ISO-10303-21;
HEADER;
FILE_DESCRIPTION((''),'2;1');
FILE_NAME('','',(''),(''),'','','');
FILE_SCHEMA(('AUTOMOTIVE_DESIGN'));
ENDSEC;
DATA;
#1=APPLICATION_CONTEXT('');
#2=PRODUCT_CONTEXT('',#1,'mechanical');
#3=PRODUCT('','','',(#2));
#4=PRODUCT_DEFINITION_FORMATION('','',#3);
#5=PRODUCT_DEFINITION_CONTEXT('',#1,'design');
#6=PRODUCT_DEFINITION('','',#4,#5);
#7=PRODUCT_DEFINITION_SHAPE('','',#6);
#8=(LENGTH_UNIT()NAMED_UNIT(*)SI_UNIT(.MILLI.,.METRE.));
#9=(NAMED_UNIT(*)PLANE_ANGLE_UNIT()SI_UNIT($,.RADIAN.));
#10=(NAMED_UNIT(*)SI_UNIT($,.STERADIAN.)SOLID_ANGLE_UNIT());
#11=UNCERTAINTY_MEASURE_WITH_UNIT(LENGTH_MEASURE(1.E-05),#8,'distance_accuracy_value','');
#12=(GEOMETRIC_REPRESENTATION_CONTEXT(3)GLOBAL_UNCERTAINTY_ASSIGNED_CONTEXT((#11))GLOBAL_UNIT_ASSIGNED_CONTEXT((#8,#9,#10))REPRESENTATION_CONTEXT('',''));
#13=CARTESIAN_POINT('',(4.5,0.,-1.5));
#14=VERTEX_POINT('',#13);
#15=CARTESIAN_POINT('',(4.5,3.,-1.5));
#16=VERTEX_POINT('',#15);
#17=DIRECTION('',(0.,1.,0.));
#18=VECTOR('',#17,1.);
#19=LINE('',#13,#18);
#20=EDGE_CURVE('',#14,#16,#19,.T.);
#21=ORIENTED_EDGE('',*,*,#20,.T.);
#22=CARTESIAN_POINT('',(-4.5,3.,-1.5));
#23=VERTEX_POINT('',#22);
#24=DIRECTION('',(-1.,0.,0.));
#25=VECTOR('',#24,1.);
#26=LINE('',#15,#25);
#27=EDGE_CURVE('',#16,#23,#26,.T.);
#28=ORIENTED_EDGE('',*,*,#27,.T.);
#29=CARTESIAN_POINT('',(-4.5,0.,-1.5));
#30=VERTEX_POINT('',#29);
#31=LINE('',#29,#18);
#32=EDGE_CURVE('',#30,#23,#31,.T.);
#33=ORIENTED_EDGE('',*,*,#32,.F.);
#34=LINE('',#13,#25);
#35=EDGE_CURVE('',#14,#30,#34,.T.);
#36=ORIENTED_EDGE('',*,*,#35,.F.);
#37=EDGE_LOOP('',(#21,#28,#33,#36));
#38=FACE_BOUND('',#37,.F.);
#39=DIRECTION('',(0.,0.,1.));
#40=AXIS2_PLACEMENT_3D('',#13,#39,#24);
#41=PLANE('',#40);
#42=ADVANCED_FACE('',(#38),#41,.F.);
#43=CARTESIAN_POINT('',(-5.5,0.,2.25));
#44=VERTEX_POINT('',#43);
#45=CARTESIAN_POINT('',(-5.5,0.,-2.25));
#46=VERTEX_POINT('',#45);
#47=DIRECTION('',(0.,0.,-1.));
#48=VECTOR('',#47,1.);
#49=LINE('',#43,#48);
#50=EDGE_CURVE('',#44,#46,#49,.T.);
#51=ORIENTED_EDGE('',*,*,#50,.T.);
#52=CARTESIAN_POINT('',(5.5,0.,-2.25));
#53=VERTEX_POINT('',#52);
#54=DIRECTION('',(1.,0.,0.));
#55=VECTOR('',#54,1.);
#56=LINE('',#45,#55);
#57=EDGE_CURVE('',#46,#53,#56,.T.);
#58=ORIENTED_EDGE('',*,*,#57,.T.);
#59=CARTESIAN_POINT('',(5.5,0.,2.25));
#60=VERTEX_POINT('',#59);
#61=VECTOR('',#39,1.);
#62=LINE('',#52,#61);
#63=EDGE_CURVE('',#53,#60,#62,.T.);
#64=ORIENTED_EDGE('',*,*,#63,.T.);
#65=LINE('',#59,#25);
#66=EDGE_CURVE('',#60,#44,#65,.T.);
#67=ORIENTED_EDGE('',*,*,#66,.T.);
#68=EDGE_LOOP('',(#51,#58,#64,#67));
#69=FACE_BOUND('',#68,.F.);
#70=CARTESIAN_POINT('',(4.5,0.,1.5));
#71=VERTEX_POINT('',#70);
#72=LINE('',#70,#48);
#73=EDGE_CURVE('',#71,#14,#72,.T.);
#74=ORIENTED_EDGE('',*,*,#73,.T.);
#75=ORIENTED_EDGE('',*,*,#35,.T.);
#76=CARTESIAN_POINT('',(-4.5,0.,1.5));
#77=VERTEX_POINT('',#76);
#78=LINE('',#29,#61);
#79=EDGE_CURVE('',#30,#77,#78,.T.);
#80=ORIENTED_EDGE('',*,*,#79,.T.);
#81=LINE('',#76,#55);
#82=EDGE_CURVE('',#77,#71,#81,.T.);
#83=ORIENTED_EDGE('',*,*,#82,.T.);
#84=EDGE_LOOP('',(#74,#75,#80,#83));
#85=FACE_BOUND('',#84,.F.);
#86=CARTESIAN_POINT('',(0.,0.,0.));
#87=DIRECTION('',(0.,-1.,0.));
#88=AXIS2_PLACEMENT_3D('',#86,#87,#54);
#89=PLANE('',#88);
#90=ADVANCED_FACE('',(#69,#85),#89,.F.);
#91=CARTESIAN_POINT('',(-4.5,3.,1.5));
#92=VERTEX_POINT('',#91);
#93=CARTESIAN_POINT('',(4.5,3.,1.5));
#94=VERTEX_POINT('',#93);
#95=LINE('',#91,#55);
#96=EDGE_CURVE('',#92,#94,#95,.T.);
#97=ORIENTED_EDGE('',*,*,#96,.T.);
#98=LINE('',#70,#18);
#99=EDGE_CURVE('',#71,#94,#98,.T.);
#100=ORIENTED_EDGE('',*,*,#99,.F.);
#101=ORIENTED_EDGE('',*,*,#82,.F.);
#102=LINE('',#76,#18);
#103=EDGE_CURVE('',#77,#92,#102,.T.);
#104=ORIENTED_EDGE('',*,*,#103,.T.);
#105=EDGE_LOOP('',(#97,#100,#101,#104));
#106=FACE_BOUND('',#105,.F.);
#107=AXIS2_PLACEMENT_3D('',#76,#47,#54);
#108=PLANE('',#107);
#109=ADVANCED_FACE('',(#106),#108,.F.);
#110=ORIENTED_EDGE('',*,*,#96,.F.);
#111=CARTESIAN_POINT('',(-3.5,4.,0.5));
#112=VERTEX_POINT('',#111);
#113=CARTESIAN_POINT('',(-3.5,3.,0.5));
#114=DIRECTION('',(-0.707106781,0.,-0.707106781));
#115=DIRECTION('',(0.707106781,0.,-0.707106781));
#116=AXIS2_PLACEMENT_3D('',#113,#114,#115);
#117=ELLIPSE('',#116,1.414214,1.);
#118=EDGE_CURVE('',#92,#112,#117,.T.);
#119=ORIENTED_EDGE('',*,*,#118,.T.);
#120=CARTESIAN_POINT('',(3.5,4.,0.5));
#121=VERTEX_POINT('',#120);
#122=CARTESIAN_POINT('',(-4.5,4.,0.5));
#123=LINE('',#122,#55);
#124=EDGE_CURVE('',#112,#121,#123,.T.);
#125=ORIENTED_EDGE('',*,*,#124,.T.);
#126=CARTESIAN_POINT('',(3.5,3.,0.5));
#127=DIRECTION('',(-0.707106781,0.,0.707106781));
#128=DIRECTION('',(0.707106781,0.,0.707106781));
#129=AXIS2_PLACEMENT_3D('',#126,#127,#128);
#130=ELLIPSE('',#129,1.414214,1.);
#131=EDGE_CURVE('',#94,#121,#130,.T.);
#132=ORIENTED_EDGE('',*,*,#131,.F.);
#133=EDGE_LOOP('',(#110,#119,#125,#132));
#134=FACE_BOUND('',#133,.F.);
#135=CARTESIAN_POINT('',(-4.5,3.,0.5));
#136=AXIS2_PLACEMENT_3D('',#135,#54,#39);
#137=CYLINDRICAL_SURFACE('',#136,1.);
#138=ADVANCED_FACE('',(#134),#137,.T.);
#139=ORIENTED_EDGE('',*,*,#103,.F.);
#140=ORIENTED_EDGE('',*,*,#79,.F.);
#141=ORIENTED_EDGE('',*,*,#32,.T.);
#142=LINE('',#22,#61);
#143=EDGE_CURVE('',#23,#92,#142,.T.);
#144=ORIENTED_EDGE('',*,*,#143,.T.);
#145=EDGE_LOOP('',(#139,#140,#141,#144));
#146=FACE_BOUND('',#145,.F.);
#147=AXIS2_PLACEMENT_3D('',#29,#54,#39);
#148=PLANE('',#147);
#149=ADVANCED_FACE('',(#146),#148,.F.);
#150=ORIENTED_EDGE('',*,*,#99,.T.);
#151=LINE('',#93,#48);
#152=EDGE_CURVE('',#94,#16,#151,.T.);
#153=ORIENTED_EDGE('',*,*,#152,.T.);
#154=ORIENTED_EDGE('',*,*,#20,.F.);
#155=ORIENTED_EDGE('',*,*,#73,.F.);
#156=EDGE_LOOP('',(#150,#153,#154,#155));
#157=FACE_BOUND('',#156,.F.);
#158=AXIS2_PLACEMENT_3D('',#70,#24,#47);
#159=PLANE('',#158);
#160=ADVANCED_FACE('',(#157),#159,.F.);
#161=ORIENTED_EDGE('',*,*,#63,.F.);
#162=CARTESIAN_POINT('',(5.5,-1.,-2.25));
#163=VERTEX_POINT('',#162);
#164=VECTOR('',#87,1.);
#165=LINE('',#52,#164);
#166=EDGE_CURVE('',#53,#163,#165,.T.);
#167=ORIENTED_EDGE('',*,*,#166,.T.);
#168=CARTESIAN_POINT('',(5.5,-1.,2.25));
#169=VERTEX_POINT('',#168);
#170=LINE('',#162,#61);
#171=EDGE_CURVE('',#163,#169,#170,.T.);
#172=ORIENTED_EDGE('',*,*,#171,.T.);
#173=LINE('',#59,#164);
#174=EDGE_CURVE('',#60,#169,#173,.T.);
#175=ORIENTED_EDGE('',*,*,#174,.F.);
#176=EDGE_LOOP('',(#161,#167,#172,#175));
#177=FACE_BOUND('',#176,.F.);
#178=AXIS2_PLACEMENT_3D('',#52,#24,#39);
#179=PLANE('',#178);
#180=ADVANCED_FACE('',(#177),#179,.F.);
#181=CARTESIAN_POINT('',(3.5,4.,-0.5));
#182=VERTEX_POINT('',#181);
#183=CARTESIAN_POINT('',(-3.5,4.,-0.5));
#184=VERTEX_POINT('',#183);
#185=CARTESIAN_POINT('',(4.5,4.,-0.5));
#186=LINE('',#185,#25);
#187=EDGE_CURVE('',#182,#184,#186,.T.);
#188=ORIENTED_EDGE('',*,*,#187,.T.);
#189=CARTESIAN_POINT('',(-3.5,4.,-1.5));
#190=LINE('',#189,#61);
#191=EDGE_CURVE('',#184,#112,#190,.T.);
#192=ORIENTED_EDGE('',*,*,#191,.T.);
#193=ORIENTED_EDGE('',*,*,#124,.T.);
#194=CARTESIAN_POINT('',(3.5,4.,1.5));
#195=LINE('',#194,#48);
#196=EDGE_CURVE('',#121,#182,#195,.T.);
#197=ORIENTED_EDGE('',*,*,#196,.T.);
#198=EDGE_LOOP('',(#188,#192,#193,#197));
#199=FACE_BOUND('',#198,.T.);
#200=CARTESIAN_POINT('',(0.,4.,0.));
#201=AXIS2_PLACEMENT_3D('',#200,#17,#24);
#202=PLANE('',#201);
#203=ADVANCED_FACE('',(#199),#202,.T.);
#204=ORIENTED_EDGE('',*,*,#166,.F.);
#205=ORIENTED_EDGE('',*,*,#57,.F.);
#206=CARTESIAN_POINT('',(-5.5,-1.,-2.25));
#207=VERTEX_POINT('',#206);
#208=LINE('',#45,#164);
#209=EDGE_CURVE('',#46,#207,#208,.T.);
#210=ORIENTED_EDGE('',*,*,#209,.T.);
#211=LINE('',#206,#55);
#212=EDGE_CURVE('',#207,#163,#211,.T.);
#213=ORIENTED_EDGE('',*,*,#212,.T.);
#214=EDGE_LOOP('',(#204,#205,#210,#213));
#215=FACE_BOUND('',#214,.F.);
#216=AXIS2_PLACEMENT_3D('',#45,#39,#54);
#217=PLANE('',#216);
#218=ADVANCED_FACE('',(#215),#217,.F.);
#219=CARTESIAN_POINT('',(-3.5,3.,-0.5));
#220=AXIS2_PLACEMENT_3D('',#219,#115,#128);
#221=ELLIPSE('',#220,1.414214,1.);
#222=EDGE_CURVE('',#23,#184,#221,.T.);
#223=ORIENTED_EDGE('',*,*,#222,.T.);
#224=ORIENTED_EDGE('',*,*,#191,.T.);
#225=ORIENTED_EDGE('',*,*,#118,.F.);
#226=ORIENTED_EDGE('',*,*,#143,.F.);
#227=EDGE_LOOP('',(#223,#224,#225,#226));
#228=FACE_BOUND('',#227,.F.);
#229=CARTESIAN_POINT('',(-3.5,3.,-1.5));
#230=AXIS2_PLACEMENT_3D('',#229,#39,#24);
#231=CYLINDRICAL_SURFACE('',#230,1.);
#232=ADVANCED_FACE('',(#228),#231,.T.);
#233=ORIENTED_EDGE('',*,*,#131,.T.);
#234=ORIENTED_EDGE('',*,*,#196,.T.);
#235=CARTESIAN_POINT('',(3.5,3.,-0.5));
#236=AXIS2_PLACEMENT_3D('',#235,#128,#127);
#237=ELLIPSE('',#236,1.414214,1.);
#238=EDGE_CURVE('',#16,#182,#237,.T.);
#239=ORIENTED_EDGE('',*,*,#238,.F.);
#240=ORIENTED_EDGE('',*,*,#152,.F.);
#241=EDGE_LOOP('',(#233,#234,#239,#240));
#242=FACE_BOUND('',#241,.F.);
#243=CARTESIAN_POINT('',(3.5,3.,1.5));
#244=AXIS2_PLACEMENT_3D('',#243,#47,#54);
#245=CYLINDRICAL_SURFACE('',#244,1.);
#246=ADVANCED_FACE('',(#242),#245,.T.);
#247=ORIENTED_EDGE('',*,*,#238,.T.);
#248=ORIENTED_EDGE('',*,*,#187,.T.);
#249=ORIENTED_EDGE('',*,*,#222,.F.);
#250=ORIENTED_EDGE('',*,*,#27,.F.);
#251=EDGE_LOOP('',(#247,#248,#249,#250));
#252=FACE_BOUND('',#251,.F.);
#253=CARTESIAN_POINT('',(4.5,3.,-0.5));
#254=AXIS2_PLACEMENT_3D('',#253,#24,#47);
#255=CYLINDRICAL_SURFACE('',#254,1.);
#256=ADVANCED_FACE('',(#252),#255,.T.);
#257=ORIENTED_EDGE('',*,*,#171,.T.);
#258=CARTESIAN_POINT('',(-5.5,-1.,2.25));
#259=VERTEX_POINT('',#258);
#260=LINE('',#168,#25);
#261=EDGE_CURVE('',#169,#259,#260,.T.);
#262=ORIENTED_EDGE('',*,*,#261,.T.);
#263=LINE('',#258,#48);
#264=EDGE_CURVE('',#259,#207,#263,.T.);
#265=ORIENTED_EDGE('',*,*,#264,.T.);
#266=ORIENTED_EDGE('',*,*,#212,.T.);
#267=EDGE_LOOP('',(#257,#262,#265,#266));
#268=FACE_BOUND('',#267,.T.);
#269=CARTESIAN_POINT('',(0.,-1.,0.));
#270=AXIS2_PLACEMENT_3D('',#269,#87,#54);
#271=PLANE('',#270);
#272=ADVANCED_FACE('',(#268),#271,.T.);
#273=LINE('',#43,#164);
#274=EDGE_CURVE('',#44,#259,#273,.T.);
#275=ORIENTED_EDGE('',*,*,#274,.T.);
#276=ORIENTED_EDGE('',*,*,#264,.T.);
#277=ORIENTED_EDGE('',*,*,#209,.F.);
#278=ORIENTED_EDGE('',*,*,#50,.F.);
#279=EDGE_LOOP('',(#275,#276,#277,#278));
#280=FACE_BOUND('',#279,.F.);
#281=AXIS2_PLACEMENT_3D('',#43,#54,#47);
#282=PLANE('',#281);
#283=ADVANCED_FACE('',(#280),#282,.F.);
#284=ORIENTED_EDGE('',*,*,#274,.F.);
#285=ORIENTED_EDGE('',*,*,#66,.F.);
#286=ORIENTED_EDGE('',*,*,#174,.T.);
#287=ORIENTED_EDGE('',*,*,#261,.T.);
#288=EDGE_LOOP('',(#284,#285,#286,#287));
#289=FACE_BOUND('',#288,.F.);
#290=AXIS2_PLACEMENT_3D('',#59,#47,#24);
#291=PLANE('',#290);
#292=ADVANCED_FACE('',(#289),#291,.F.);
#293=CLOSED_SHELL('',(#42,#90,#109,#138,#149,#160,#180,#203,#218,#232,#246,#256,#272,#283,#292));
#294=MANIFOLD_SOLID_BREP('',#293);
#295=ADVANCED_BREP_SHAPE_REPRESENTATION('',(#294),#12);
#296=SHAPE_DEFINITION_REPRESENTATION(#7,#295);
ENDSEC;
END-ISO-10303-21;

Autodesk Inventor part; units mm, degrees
ref_plane "YZ Plane" through (0, 0, 0) normal (1, 0, 0) x (0, 1, 0)
ref_plane "XZ Plane" through (0, 0, 0) normal (0, 1, 0) x (-1, 0, 0)
ref_plane "XY Plane" through (0, 0, 0) normal (0, 0, 1) x (1, 0, 0)
sketch "Szkic1" plane through (0, 0, 0) normal (0, 1, 0) x (-1, 0, 0)
  line L0 (-4.5, -1.5) -> (4.5, -1.5)
  line L1 (4.5, -1.5) -> (4.5, 1.5)
  line L2 (4.5, 1.5) -> (-4.5, 1.5)
  line L3 (-4.5, 1.5) -> (-4.5, -1.5)
  line L4 (-4.5, -1.5) -> (4.5, 1.5) construction
  line L5 (4.5, -1.5) -> (-4.5, 1.5) construction
  point P0 (0, 0)
  dimension "d0" = 9
  dimension "d1" = 3
extrude "Wyciągnięcie proste1" add sketch "Szkic1" along normal blind 4
sketch "Szkic2" plane through (0, 0, 0) normal (0, -1, 0) x (1, 0, 0)
  line L0 (-5.5, -2.25) -> (5.5, -2.25)
  line L1 (5.5, -2.25) -> (5.5, 2.25)
  line L2 (5.5, 2.25) -> (-5.5, 2.25)
  line L3 (-5.5, 2.25) -> (-5.5, -2.25)
  line L4 (-5.5, -2.25) -> (5.5, 2.25) construction
  line L5 (5.5, -2.25) -> (-5.5, 2.25) construction
  point P0 (0, 0)
  dimension "d4" = 11
  dimension "d5" = 4.5
extrude "Wyciągnięcie proste2" add sketch "Szkic2" along normal blind 1
fillet "Zaokrąglenie1" radius 1 4 edges at (0, 4, 1.5) (-4.5, 4, 0) (0, 4, -1.5) (4.5, 4, 0)
properties part number "PRZYCISK"
